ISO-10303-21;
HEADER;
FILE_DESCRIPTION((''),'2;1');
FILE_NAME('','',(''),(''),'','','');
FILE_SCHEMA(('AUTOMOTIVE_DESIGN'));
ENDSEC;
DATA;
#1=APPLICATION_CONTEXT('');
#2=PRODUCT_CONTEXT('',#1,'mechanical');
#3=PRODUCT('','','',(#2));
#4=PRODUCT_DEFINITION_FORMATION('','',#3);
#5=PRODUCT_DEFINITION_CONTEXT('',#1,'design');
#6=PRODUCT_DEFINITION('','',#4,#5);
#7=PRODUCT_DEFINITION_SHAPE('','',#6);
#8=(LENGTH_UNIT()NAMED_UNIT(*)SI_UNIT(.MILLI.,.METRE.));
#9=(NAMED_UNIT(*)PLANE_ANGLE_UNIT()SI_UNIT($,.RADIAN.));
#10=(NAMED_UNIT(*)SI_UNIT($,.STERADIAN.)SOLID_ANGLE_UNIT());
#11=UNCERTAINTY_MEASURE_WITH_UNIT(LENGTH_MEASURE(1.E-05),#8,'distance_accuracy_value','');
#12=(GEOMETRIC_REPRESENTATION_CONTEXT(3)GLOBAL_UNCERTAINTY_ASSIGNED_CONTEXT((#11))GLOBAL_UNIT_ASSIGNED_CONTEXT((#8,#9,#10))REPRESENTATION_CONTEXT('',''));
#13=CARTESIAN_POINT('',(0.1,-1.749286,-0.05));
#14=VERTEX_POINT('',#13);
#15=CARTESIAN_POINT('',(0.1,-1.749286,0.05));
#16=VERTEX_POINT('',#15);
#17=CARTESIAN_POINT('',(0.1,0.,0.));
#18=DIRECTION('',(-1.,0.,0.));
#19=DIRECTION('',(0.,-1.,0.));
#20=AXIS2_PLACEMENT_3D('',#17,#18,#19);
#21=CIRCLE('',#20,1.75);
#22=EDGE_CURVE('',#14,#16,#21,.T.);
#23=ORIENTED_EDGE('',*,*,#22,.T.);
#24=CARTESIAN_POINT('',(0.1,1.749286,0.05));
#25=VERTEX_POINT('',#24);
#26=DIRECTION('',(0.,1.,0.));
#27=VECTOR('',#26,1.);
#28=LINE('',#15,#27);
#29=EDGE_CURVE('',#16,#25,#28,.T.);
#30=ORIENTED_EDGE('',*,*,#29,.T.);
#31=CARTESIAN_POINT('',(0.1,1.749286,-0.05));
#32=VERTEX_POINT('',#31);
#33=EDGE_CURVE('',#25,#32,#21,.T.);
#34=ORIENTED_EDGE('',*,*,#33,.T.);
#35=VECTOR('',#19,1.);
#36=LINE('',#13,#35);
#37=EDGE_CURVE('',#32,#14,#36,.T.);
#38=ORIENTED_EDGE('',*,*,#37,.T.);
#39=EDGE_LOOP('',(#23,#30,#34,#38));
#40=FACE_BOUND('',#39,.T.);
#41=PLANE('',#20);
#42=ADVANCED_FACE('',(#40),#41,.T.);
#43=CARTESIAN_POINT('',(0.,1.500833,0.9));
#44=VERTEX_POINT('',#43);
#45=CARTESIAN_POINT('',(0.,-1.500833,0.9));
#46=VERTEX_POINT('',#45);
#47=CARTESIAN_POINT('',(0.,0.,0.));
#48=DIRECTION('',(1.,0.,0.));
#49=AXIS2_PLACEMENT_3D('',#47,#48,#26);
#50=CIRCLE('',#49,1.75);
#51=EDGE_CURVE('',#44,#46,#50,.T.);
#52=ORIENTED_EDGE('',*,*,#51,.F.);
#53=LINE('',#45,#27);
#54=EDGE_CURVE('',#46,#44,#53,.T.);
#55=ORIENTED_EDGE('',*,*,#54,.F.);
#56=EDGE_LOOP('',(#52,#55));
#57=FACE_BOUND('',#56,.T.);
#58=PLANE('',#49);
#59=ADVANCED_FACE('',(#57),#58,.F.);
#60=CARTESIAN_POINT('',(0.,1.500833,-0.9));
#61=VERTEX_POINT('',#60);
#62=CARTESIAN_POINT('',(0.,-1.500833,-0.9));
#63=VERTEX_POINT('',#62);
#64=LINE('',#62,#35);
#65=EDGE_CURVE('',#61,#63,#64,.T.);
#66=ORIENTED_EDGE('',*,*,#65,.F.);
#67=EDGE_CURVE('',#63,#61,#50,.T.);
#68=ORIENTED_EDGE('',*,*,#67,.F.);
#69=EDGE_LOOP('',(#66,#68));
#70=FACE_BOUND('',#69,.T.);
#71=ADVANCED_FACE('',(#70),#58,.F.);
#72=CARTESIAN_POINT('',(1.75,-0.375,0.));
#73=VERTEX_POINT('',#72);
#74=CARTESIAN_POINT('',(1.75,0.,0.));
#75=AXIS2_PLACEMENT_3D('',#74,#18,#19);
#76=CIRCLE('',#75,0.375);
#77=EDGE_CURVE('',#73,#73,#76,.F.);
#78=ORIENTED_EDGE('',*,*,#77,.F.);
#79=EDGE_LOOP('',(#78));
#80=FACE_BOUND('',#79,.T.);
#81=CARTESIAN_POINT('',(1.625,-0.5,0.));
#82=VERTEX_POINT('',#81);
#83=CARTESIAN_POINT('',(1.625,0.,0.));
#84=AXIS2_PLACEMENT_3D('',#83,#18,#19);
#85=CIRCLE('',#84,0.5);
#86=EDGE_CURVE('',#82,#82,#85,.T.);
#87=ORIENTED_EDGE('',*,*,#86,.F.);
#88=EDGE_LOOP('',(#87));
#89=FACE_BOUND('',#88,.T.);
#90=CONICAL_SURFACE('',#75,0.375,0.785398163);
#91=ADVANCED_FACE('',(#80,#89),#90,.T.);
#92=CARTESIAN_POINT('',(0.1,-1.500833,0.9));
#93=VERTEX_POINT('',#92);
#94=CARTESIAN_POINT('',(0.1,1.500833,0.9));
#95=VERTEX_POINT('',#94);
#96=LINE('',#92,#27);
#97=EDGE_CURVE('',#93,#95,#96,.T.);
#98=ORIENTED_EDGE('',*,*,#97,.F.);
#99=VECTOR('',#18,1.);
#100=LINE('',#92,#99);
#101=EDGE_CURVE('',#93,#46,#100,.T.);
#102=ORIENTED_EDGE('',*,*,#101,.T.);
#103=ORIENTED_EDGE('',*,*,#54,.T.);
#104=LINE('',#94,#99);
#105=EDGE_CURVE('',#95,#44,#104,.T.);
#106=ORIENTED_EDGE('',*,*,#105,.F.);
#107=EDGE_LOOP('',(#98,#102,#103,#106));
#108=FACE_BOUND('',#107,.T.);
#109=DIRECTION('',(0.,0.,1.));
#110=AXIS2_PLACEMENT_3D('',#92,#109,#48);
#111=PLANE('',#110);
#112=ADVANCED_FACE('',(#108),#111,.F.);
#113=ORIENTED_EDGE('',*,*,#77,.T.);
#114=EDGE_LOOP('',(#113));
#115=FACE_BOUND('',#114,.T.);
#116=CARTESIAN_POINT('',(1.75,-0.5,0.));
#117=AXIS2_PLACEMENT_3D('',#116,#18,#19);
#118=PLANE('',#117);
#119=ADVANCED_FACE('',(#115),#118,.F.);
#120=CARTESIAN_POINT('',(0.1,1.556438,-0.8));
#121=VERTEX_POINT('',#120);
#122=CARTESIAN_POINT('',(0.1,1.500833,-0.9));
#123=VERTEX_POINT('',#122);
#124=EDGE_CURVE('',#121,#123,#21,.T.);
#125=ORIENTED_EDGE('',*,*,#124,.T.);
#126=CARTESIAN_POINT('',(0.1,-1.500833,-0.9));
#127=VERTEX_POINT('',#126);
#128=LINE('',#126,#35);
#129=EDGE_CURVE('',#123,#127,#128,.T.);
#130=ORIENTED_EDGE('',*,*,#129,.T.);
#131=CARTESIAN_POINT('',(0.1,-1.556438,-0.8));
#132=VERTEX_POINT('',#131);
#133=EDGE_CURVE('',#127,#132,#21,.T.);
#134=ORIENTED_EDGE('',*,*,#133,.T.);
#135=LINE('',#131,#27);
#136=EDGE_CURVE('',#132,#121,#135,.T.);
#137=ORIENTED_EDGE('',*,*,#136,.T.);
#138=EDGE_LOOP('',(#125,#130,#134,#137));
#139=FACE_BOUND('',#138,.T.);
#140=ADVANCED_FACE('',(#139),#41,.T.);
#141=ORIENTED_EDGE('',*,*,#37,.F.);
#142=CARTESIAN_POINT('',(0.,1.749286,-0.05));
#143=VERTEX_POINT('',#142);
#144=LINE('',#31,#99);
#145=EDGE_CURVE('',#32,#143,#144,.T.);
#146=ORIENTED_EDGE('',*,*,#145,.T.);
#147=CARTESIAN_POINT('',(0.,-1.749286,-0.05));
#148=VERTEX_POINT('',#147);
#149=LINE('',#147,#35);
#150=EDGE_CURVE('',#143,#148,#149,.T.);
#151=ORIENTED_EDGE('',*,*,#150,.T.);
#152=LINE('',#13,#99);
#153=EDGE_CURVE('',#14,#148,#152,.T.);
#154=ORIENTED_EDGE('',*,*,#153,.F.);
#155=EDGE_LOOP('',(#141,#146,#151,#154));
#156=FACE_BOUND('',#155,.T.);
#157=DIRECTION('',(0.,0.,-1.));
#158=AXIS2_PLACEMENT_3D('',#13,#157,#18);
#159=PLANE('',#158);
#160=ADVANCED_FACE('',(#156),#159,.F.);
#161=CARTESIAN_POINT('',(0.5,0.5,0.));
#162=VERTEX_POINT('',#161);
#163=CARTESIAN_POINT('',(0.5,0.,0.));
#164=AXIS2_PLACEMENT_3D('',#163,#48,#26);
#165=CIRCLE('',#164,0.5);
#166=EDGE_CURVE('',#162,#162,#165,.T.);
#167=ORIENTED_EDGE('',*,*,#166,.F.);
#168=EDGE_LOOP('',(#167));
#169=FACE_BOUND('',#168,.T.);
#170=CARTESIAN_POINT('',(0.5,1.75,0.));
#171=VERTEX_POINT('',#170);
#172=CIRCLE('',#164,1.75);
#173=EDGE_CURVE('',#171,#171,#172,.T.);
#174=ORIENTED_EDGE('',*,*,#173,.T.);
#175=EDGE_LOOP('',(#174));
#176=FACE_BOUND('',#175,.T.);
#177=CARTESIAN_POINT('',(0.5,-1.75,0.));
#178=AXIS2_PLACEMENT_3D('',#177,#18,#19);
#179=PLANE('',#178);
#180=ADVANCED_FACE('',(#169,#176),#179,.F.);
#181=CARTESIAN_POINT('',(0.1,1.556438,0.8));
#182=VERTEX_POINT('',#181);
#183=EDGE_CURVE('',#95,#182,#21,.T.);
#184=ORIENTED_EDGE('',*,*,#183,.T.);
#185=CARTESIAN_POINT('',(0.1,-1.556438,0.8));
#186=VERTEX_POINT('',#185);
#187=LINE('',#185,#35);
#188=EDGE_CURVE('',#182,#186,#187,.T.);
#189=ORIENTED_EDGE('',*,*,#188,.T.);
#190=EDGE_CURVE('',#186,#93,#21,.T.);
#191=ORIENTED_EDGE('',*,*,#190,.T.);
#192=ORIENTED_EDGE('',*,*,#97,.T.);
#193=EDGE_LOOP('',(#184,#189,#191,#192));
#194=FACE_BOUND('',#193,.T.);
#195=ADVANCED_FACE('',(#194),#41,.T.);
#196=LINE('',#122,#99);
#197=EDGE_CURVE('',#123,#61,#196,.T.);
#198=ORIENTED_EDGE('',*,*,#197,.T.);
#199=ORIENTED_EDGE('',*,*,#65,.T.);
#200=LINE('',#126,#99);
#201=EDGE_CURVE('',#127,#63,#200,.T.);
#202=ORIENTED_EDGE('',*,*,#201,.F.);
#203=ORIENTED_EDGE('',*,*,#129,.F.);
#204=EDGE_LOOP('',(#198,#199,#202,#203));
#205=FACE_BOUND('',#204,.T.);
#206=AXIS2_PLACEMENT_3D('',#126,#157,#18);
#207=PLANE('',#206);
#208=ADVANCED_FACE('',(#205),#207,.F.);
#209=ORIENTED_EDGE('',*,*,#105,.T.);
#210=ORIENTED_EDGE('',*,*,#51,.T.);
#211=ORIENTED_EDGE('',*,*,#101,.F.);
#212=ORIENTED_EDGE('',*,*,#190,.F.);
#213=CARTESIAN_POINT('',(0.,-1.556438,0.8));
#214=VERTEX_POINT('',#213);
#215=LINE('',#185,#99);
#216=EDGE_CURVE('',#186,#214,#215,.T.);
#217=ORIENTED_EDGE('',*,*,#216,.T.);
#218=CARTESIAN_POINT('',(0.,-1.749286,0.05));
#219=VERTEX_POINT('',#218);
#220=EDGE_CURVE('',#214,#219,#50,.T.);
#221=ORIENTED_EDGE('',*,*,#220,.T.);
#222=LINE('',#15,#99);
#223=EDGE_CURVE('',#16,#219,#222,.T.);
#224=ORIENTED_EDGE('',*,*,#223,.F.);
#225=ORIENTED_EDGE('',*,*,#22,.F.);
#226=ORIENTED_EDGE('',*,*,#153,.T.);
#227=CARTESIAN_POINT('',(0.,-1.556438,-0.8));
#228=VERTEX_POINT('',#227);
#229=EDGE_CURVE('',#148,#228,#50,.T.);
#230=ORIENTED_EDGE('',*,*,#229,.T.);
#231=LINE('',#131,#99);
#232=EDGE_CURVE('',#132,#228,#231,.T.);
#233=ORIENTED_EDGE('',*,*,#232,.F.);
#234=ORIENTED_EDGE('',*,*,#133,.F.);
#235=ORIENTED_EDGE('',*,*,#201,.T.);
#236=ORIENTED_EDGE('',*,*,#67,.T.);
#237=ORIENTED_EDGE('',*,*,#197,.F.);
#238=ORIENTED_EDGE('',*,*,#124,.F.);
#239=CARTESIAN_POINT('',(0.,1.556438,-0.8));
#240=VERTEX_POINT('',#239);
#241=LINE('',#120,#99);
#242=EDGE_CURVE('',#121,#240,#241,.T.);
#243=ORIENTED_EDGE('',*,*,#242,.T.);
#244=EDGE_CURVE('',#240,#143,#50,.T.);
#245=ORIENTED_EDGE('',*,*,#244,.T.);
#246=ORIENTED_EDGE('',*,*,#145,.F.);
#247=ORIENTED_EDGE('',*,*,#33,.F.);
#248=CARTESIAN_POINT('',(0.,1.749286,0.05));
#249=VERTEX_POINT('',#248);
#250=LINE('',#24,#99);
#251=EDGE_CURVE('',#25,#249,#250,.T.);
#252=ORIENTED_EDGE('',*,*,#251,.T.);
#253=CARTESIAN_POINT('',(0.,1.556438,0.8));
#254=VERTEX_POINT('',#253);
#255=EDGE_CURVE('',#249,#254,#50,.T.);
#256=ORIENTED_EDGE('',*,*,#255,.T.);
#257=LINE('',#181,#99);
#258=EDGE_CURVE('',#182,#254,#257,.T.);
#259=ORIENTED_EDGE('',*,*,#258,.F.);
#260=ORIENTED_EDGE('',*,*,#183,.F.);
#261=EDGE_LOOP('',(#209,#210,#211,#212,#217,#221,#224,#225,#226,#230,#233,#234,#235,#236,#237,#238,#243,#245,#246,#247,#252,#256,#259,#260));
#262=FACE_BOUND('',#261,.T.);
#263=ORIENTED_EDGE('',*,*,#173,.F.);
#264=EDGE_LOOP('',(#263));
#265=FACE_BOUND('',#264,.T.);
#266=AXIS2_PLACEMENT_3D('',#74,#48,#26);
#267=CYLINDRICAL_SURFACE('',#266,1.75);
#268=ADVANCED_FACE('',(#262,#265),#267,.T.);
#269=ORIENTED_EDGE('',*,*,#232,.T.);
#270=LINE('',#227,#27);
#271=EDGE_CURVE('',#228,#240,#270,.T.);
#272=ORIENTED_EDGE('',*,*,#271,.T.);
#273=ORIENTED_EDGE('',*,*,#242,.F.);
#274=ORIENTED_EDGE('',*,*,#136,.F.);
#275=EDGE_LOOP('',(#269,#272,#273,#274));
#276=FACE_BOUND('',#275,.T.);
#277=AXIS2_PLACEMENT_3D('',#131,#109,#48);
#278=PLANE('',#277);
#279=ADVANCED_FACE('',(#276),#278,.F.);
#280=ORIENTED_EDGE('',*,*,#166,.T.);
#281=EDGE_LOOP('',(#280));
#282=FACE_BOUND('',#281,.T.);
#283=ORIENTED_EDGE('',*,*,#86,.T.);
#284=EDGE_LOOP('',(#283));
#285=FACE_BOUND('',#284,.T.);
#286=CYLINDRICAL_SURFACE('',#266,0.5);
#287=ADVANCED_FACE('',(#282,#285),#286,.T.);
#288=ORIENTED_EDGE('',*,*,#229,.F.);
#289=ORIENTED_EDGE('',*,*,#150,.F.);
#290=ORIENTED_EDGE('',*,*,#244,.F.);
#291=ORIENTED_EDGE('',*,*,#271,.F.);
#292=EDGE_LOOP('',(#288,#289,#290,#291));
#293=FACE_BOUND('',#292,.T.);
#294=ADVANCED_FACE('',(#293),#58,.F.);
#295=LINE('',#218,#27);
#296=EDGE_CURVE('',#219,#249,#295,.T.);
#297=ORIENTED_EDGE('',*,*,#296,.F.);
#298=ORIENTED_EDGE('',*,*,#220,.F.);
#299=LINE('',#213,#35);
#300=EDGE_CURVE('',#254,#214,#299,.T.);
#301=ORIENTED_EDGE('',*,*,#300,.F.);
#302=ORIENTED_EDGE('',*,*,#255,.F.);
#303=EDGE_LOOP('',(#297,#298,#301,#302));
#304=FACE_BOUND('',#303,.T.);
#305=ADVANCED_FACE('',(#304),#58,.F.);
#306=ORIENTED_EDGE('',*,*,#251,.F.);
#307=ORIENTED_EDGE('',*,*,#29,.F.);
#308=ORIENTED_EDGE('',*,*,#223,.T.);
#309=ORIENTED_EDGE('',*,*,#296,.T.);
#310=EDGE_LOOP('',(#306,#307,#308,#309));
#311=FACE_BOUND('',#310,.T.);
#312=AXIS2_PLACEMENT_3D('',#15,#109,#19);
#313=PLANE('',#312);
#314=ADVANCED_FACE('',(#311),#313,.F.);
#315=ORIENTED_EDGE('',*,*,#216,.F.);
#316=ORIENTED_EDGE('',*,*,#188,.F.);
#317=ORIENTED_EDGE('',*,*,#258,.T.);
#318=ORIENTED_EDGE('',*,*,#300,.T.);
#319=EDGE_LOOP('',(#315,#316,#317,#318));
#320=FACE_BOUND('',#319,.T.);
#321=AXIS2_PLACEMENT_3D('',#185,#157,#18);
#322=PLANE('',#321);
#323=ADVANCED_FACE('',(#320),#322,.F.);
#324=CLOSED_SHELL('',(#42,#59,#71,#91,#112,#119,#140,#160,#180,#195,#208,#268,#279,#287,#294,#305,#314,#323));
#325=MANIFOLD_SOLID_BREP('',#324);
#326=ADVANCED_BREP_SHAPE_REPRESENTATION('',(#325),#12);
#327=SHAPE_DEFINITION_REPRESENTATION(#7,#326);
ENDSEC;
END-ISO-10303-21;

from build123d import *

# Parameters (mm, degrees)
CHAFL_N1_SIZE         = 0.125
CORTAR_EXTRUIR1_DEPTH = 0.1


with BuildPart() as part:
    # Croquis1 → Revolución1 (revolve)
    with BuildSketch(Plane.XY):
        Polygon((0, 0), (0, -1.75), (0.5, -1.75), (0.5, -0.5), (1.75, -0.5), (1.75, 0), align=None)
    revolve(axis=Axis((1.75, 0, 0), (-1, 0, 0)))

    # Chaflán1
    chafl_n1_edges = [part.edges().sort_by_distance(p)[0] for p in [
        (1.75, 0.5, 0),
    ]]
    chamfer(chafl_n1_edges, length=CHAFL_N1_SIZE)

    # Croquis7 → Cortar-Extruir1 (cut)
    with BuildSketch(Plane.ZY):
        with BuildLine():
            Line((-0.05, -1.749285568), (-0.05, 1.749285568))
            ThreePointArc((-0.05, 1.749285568), (0, 1.75), (0.05, 1.749285568))
            Line((0.05, 1.749285568), (0.05, -1.749285568))
            ThreePointArc((0.05, -1.749285568), (0, -1.75), (-0.05, -1.749285568))
        make_face()
        with BuildLine():
            Line((0.8, -1.556438242), (0.8, 1.556438242))
            ThreePointArc((0.8, 1.556438242), (0.850454574, 1.529453176), (0.9, 1.500833102))
            Line((0.9, 1.500833102), (0.9, -1.500833102))
            ThreePointArc((0.9, -1.500833102), (0.850454574, -1.529453176), (0.8, -1.556438242))
        make_face()
        with BuildLine():
            Line((-0.9, -1.500833102), (-0.9, 1.500833102))
            ThreePointArc((-0.9, 1.500833102), (-0.850454574, 1.529453176), (-0.8, 1.556438242))
            Line((-0.8, 1.556438242), (-0.8, -1.556438242))
            ThreePointArc((-0.8, -1.556438242), (-0.850454574, -1.529453176), (-0.9, -1.500833102))
        make_face()
    extrude(amount=-CORTAR_EXTRUIR1_DEPTH, mode=Mode.SUBTRACT)


solid = part.part
